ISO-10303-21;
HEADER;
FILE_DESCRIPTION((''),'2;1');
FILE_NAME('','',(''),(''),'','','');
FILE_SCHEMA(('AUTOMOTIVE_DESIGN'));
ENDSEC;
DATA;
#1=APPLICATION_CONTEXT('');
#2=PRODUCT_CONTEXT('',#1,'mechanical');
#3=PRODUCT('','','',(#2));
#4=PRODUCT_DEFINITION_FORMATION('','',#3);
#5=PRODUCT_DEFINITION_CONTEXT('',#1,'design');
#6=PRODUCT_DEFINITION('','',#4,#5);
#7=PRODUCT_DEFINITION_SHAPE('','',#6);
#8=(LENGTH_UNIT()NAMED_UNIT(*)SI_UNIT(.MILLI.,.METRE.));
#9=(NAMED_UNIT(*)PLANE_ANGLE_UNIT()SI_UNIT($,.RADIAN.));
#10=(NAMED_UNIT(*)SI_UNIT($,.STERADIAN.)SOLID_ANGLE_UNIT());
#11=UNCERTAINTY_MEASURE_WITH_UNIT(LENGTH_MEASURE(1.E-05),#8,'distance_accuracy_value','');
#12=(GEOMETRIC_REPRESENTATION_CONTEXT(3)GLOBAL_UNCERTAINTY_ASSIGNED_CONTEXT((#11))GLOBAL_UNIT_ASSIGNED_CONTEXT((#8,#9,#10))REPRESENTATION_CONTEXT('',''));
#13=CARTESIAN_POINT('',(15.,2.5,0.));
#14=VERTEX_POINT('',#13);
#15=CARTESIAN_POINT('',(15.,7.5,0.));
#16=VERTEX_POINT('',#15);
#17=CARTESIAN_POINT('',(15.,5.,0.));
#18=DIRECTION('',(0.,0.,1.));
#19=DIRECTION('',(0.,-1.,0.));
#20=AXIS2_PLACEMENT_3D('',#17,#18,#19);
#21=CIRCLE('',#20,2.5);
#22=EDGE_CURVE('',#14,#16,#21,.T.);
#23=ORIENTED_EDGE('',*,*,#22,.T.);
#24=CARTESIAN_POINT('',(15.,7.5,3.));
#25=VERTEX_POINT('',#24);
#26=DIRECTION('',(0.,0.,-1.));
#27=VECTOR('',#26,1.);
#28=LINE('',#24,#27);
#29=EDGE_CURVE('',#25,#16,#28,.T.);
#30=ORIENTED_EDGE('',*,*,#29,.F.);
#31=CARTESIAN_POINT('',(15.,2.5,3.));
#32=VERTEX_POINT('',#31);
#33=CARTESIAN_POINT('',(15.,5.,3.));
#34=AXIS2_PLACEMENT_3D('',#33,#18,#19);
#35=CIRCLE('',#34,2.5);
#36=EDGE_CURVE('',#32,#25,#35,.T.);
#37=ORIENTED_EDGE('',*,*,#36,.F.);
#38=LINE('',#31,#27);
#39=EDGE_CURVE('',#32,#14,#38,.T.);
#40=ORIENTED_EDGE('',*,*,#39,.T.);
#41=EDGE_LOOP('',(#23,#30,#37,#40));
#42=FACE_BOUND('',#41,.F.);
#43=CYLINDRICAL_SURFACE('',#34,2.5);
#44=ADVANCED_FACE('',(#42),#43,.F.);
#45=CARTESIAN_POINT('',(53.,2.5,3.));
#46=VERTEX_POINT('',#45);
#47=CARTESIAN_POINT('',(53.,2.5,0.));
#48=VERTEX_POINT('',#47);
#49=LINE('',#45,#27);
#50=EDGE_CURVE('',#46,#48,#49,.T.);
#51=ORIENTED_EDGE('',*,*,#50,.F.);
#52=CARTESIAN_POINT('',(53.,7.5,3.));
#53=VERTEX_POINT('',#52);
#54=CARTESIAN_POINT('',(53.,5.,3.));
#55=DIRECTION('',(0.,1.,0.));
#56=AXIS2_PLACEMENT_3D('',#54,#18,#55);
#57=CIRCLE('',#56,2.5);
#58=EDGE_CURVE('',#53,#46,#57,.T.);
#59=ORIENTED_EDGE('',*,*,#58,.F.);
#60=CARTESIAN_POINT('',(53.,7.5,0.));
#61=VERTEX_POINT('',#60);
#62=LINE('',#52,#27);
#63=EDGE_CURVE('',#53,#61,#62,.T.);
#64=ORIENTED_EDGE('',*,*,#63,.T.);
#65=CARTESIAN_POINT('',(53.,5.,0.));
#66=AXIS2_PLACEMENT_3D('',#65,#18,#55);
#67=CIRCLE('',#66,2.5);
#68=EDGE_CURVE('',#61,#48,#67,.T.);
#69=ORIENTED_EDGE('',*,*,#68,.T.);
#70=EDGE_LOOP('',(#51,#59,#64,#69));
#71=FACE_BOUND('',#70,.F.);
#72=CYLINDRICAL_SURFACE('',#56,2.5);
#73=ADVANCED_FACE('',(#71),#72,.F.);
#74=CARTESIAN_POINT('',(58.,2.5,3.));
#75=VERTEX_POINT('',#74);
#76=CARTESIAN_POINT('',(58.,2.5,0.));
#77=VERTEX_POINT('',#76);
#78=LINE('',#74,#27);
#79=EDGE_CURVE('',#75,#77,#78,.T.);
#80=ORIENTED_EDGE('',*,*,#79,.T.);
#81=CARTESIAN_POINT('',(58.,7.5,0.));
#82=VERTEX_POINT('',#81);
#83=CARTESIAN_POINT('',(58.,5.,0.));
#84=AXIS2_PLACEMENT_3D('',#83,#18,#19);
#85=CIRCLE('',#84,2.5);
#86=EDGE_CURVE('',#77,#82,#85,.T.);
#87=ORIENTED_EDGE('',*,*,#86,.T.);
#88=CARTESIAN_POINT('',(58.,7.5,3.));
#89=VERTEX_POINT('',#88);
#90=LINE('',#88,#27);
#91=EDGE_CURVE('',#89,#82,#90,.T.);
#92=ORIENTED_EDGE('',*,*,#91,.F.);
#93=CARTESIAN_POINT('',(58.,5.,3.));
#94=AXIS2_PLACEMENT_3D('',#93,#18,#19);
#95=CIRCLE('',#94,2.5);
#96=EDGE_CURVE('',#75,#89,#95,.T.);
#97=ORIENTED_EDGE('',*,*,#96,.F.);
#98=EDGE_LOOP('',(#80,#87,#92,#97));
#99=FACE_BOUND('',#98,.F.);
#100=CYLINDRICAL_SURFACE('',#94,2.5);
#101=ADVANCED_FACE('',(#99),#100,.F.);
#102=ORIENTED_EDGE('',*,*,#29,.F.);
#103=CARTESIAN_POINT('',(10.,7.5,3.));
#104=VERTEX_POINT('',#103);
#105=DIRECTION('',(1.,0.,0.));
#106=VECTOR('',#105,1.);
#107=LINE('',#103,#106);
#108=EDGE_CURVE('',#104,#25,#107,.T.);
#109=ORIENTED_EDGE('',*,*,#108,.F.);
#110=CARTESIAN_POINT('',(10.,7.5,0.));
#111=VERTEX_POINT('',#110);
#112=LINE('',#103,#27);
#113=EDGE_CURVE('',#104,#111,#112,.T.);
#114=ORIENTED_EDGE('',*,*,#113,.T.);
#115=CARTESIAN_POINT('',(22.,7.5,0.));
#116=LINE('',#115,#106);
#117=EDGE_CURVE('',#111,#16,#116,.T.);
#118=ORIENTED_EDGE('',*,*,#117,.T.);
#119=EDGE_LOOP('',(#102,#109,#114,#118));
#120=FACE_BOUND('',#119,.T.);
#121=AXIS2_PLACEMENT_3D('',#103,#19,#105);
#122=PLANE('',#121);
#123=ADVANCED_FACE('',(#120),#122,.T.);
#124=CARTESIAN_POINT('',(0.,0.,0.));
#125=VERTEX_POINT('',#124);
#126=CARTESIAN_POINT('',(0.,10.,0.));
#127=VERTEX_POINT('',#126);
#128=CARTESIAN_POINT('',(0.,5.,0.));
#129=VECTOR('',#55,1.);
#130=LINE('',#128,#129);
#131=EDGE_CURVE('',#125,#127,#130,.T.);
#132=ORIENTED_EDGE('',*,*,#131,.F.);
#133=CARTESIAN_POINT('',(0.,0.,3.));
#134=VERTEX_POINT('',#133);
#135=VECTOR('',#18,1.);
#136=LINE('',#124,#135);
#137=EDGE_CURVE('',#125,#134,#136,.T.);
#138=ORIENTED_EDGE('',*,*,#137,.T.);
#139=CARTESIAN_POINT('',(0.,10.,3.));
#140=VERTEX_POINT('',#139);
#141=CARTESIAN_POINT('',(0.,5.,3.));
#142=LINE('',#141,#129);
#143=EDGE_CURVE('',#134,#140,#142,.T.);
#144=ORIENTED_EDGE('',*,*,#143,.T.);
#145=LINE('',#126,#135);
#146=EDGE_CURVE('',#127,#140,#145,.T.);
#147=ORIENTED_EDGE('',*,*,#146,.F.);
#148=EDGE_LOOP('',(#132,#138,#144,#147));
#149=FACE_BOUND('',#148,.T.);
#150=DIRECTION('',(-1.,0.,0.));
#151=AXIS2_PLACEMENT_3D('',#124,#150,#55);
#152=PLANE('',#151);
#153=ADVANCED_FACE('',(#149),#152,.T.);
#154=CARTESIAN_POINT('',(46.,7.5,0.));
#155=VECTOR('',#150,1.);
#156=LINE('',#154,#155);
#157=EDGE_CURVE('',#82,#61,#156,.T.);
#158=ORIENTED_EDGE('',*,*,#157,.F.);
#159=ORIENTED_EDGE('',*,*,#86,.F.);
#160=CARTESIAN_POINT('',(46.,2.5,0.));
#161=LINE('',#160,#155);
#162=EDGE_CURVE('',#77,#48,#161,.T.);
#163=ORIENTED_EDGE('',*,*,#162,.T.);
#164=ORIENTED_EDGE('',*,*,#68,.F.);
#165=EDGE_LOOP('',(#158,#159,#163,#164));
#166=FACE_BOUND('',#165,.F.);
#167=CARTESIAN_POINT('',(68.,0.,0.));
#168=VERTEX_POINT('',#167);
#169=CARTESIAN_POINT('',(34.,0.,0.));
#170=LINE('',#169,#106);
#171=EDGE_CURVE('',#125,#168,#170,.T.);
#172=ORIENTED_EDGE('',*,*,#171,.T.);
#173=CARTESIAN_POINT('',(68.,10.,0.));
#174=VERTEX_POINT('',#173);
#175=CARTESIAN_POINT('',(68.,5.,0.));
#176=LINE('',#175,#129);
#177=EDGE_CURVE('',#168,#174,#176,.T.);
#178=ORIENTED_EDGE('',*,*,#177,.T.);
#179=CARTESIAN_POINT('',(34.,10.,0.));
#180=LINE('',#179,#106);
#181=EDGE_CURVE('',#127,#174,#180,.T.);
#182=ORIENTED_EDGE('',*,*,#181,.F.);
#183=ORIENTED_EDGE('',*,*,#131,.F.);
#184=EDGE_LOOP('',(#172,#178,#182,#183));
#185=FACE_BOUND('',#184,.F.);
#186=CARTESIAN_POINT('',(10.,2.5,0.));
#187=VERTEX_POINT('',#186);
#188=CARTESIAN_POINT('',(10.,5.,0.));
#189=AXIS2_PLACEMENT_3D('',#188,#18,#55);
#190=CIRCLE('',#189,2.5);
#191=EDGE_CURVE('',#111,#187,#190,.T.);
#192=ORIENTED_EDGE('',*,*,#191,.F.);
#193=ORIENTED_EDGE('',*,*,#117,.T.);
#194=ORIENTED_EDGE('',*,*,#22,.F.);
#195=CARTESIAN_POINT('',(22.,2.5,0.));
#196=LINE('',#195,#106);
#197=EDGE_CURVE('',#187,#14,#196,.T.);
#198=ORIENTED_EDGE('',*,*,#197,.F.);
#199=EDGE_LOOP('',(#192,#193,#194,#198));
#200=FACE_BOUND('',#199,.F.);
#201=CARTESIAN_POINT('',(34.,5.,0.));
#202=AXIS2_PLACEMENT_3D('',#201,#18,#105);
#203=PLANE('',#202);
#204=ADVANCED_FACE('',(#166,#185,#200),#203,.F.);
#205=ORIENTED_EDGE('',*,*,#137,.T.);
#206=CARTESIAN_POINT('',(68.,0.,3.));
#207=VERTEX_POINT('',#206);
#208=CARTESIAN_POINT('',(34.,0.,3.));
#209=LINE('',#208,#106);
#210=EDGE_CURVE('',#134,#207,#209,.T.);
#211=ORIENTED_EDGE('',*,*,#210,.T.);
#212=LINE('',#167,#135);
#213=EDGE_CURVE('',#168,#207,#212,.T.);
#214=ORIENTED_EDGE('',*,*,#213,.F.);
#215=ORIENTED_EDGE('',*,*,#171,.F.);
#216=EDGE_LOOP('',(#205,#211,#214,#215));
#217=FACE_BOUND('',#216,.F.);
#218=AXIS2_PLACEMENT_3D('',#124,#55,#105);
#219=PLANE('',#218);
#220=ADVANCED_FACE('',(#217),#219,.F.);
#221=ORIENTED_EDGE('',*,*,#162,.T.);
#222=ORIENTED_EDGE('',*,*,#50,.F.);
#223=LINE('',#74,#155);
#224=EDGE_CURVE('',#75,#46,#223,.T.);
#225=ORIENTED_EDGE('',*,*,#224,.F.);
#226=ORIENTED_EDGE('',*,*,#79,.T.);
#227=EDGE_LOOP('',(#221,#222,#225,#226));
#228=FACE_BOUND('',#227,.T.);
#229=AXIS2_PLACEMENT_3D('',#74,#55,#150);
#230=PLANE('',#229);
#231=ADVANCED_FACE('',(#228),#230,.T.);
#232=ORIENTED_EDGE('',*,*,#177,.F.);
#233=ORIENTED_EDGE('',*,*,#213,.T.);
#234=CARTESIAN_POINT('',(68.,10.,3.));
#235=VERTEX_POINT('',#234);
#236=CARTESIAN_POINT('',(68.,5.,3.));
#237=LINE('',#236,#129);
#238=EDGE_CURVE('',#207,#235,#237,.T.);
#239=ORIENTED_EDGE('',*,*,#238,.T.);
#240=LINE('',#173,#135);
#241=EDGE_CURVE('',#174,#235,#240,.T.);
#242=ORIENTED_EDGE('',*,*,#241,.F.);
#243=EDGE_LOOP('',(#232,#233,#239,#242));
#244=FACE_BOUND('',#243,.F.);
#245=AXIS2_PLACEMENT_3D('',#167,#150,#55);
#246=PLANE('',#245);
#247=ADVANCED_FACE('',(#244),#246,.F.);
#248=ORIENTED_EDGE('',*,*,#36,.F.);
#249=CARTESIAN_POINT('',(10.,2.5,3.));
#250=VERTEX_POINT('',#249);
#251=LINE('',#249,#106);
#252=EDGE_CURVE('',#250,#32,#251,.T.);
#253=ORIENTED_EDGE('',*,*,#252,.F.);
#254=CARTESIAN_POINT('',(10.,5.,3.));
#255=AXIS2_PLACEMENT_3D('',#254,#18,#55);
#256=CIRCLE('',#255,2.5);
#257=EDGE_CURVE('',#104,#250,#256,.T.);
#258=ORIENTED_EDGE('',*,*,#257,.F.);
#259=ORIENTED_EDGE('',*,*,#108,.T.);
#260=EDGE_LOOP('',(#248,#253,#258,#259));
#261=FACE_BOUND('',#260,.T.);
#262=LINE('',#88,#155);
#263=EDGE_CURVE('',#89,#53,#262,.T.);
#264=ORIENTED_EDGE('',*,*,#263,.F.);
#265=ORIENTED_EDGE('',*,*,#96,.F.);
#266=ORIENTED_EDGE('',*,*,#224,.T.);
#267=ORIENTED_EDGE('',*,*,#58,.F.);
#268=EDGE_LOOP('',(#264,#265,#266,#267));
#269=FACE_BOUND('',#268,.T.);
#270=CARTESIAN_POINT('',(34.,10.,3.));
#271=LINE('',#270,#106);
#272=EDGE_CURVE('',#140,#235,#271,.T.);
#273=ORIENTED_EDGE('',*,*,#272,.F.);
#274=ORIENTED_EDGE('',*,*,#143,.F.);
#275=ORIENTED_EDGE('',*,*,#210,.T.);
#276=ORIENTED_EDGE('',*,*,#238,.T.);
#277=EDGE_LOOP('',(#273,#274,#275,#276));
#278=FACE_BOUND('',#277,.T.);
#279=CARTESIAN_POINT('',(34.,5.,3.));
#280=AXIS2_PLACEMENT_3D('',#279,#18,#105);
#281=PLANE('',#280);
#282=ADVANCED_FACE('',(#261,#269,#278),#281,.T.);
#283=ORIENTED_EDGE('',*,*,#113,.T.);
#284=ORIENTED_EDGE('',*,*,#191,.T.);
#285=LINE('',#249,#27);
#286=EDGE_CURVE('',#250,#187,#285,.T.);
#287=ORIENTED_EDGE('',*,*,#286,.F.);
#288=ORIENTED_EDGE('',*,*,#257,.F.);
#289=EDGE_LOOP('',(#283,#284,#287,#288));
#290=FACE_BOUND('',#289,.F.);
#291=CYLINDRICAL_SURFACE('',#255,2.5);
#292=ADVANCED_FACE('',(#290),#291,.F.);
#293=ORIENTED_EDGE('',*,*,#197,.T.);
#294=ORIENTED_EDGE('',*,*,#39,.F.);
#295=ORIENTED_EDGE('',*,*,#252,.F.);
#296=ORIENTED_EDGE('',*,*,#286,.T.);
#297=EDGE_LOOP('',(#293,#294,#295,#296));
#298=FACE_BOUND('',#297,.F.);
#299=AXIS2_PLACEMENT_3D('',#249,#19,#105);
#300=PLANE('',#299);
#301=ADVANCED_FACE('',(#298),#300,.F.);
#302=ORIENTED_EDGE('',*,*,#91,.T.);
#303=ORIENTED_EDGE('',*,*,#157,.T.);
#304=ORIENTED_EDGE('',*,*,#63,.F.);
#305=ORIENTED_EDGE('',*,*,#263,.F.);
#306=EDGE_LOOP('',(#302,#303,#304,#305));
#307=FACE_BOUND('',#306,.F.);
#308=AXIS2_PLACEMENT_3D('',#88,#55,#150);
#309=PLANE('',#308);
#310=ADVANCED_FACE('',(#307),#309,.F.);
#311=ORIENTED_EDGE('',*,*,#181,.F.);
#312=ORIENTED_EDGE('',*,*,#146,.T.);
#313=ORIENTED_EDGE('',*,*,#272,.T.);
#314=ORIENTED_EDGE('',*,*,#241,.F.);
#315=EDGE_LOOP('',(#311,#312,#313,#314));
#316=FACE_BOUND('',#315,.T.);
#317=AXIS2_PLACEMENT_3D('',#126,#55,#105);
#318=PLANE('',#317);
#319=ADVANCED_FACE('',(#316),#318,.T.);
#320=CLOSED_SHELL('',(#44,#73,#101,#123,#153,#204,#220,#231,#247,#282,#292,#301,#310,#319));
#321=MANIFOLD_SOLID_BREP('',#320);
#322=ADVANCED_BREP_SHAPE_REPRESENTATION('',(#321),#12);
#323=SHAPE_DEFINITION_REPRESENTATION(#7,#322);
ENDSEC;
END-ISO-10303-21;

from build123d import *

# Parameters (mm, degrees)
SKETCH_W        = 68
SKETCH_H        = 10
PAD_DEPTH       = 3
POCKET001_DEPTH = 3.001


with BuildPart() as part:
    # Sketch → Pad (new body)
    with BuildSketch(Plane.XY):
        with Locations((34, 5)):
            Rectangle(SKETCH_W, SKETCH_H)
    extrude(amount=PAD_DEPTH)

    # Sketch002 → Pocket001 (cut, through all)
    with BuildSketch(Plane.XY.offset(3)):
        with BuildLine():
            ThreePointArc((10, 7.5), (7.5, 5), (10, 2.5))
            Line((10, 2.5), (15, 2.5))
            ThreePointArc((15, 2.5), (17.5, 5), (15, 7.5))
            Line((10, 7.5), (15, 7.5))
        make_face()
        with BuildLine():
            ThreePointArc((58, 2.5), (60.5, 5), (58, 7.5))
            Line((58, 7.5), (53, 7.5))
            ThreePointArc((53, 7.5), (50.5, 5), (53, 2.5))
            Line((58, 2.5), (53, 2.5))
        make_face()
    extrude(amount=-POCKET001_DEPTH, mode=Mode.SUBTRACT)


solid = part.part
